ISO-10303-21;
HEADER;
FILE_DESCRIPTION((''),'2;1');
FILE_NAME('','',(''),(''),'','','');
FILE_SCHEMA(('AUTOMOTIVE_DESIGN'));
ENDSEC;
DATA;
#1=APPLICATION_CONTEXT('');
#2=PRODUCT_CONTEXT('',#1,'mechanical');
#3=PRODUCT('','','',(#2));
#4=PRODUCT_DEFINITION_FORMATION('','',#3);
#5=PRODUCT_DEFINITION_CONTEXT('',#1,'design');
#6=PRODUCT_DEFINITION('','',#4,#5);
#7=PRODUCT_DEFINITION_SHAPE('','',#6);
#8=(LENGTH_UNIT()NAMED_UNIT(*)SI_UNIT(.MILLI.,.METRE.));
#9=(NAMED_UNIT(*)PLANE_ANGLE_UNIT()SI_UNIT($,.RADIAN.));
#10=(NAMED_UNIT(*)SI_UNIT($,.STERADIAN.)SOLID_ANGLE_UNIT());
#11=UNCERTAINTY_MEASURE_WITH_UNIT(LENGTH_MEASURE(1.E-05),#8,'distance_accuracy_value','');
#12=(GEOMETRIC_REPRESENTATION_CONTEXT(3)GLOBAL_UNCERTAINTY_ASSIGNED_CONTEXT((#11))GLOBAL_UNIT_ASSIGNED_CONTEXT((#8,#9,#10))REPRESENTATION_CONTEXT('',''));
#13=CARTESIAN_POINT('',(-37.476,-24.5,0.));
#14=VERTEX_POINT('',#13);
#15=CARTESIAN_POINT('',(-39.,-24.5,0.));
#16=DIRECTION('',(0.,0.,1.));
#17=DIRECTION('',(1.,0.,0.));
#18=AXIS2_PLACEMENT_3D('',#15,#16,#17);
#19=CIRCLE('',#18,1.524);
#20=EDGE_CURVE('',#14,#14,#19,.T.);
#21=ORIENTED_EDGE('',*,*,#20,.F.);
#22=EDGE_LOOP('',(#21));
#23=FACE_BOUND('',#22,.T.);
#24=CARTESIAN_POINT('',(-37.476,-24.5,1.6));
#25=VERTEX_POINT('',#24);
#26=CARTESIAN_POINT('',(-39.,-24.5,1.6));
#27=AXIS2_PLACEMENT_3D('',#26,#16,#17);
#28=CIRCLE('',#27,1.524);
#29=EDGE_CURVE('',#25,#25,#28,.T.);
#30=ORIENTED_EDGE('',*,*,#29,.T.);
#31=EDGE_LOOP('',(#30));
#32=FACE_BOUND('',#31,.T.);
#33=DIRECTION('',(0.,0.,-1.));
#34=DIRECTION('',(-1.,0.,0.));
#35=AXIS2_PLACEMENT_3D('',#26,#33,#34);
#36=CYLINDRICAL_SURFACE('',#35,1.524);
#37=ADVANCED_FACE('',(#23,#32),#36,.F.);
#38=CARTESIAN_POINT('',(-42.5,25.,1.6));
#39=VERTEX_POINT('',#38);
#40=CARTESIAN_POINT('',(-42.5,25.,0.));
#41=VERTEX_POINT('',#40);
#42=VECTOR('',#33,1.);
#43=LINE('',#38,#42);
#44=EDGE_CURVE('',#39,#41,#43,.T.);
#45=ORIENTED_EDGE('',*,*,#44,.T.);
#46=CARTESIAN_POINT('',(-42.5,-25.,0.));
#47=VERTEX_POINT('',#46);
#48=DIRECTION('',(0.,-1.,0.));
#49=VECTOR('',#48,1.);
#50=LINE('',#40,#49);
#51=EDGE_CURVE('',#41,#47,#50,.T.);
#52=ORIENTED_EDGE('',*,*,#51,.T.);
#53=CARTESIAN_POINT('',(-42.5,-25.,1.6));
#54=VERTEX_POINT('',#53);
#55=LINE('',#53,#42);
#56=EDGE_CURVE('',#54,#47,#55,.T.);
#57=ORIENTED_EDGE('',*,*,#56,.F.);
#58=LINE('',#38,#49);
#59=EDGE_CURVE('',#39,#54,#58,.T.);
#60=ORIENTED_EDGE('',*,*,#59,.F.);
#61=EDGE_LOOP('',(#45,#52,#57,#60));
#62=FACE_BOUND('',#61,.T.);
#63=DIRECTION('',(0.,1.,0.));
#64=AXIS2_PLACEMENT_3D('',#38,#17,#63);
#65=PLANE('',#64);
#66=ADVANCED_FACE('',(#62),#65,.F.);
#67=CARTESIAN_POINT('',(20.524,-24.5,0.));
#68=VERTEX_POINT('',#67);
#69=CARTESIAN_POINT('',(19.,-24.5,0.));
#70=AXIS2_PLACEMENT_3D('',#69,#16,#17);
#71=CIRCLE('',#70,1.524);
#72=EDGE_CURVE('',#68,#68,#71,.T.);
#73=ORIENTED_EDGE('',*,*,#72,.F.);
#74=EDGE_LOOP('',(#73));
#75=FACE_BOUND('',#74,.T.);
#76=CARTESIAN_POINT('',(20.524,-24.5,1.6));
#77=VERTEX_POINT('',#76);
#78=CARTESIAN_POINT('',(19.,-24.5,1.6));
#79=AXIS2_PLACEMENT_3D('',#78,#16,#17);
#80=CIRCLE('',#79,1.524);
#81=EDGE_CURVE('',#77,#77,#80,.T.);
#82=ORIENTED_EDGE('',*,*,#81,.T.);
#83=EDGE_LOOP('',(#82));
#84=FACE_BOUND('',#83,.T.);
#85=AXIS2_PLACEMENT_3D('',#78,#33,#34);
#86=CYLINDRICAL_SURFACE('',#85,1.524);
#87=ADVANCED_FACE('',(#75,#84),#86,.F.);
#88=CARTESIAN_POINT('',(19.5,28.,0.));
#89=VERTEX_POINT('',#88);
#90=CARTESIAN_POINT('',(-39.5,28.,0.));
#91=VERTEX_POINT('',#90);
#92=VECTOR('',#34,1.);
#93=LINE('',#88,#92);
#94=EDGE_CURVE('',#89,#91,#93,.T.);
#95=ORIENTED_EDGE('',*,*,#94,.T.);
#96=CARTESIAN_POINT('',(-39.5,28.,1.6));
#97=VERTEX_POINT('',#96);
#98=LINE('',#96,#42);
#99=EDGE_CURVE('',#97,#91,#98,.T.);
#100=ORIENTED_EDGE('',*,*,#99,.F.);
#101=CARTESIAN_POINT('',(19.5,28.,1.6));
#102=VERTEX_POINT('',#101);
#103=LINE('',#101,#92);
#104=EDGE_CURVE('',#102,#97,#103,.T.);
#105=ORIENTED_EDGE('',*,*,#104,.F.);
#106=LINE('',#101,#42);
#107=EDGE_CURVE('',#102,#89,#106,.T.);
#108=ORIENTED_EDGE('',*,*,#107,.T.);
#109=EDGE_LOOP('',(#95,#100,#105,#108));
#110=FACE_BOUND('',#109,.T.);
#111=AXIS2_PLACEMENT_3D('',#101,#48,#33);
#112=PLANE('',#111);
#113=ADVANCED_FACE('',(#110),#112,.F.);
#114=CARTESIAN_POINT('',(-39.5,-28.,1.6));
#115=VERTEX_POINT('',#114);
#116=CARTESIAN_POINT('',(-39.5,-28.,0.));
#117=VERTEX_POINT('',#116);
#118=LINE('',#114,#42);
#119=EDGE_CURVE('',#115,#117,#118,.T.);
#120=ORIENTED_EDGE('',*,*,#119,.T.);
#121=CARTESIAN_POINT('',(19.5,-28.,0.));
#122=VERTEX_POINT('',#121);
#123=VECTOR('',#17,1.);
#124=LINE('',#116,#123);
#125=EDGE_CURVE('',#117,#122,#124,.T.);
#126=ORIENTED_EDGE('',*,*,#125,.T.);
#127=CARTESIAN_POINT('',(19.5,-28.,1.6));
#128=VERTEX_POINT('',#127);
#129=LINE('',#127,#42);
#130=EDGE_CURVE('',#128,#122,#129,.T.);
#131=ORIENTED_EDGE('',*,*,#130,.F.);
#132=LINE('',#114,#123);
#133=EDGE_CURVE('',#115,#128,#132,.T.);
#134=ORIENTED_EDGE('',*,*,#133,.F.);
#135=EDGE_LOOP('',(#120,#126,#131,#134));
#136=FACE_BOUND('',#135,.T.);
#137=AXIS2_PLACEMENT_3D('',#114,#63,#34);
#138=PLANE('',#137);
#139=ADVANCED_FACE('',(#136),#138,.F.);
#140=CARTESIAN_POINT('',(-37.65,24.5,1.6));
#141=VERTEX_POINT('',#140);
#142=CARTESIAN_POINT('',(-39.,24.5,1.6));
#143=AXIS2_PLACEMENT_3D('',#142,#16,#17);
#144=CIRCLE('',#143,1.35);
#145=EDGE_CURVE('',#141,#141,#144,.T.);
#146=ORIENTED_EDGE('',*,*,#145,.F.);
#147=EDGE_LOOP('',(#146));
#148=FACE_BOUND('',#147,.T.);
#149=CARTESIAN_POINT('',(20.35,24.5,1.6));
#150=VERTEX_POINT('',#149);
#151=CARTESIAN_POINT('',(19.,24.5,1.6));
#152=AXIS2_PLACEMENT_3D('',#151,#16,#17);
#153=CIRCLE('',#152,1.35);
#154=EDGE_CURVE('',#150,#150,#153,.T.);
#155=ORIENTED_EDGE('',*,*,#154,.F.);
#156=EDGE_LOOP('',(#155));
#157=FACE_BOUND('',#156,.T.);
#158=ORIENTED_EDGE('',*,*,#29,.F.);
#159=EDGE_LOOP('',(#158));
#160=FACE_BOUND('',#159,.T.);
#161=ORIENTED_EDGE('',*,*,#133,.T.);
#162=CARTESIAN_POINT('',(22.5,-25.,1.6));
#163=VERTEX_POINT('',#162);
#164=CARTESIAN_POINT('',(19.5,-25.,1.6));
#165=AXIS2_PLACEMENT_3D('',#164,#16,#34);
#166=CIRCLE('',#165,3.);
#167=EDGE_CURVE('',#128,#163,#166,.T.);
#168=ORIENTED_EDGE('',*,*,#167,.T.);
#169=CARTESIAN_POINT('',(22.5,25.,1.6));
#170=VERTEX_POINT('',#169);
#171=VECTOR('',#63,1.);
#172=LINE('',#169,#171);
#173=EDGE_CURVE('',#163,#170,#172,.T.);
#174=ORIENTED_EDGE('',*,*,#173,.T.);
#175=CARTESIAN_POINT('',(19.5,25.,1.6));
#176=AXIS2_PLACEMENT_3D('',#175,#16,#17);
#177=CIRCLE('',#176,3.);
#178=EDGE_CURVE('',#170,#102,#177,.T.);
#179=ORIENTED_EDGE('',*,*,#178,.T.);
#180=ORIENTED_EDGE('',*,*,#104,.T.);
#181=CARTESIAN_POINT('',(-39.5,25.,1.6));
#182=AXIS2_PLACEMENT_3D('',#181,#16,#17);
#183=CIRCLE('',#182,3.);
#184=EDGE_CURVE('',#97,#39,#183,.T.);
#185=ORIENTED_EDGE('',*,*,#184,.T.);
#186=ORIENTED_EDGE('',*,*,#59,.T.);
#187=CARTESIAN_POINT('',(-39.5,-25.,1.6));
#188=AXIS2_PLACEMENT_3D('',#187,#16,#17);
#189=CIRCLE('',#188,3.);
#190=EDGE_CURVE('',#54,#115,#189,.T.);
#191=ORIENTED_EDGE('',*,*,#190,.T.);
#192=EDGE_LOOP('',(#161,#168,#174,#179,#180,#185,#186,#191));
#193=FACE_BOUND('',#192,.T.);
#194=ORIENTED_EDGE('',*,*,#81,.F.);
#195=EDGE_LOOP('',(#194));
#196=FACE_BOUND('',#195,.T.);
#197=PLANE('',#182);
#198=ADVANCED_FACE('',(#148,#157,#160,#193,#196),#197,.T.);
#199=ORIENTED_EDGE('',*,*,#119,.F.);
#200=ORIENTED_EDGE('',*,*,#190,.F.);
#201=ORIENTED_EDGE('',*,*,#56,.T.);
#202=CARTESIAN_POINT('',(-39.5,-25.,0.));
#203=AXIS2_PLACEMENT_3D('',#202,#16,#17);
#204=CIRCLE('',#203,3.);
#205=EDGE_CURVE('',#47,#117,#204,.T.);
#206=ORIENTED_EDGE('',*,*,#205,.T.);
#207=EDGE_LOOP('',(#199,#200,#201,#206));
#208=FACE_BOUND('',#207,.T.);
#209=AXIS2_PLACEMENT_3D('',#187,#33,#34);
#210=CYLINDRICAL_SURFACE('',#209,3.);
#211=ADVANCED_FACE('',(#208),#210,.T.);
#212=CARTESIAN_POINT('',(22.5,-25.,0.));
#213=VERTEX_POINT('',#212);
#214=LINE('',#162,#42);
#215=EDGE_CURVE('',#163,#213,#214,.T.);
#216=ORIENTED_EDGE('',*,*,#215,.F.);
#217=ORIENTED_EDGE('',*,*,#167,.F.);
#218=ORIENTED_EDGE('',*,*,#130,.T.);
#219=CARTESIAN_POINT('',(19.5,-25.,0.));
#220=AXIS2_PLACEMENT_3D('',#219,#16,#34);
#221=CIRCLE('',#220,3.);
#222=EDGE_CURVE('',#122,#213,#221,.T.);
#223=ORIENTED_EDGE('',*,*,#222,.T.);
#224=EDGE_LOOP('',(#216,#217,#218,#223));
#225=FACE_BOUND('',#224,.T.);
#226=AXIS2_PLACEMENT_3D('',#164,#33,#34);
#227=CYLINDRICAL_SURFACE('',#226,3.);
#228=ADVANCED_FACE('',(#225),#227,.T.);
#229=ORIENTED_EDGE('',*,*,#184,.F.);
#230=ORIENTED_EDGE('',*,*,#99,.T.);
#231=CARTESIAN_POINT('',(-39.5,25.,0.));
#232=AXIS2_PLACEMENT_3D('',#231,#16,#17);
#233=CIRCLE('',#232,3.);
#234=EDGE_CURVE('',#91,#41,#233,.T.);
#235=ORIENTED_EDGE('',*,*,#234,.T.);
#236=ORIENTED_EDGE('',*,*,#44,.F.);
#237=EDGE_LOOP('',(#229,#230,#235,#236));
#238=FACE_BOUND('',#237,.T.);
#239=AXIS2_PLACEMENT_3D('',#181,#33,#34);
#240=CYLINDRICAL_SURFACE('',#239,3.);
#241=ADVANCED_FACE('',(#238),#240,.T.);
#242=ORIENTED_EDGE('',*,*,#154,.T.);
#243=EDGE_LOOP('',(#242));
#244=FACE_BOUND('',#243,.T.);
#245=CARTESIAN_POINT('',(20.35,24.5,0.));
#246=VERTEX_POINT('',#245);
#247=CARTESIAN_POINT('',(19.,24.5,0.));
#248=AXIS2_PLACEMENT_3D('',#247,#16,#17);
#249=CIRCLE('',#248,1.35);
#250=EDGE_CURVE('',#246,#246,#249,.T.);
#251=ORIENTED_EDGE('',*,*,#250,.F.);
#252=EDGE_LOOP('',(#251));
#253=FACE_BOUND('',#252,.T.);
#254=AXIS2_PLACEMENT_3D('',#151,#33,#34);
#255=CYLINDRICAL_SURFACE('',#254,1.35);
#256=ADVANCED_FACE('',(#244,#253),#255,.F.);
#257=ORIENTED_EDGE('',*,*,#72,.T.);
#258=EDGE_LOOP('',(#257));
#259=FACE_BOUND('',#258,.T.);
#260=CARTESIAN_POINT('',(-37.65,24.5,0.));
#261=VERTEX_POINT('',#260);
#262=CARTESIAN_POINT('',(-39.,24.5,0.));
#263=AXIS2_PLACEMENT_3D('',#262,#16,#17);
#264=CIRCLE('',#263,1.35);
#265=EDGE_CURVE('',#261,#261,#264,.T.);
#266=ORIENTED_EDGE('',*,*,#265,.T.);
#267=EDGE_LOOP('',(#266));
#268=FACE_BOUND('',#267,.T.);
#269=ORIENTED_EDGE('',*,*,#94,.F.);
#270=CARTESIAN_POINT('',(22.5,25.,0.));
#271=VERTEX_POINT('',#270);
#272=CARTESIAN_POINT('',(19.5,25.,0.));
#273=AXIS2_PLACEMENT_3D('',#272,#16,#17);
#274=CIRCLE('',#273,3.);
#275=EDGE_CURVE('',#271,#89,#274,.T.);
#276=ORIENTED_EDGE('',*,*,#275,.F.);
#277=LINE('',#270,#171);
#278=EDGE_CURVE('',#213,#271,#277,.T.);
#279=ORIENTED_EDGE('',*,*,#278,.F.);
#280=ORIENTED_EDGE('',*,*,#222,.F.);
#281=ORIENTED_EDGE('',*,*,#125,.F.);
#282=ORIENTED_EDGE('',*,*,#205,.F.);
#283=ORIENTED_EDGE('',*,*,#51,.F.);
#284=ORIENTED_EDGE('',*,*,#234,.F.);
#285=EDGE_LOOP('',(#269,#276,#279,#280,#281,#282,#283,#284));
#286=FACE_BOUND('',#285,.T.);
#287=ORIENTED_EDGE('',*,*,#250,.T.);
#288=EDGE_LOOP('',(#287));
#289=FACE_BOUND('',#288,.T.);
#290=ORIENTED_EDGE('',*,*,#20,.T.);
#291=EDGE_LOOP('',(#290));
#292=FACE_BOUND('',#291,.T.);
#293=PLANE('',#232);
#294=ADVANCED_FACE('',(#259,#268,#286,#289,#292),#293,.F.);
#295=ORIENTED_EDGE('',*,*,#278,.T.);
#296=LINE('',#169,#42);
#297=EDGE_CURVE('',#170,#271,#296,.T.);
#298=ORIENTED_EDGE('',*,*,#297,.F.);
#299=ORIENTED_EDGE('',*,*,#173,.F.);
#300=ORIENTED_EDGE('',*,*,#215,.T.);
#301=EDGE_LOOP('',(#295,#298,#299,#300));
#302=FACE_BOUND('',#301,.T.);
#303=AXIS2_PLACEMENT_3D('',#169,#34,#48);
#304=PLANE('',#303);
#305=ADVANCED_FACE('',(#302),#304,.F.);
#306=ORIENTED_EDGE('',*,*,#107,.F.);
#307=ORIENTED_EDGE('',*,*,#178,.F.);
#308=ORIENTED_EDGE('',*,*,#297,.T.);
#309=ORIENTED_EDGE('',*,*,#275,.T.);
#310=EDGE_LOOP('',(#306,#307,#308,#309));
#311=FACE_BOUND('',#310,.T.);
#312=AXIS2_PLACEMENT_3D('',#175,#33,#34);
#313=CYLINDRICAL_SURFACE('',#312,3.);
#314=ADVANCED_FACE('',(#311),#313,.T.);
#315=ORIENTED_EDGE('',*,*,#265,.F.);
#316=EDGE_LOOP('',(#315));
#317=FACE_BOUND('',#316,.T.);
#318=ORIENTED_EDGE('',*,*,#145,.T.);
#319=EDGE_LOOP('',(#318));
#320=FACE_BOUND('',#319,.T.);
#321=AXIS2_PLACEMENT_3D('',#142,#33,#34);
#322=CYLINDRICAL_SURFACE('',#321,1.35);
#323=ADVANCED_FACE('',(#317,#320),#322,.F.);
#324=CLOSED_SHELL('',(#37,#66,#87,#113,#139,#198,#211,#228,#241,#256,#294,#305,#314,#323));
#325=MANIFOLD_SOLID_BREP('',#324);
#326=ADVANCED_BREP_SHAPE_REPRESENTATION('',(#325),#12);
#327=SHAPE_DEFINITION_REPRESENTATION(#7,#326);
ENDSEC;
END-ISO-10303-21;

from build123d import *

# Parameters (mm, degrees)
SKETCH1_R           = 1.35
SKETCH1_R_2         = 1.524
BOSS_EXTRUDE1_DEPTH = 1.6


with BuildPart() as part:
    # Sketch1 → Boss-Extrude1 (new body)
    with BuildSketch(Plane.XY):
        with BuildLine():
            Line((22.5, 25), (22.5, -25))
            ThreePointArc((22.5, -25), (21.621320344, -27.121320344), (19.5, -28))
            Line((19.5, -28), (-39.5, -28))
            ThreePointArc((-39.5, -28), (-41.621320344, -27.121320344), (-42.5, -25))
            Line((-42.5, -25), (-42.5, 25))
            ThreePointArc((-42.5, 25), (-41.621320344, 27.121320344), (-39.5, 28))
            Line((-39.5, 28), (19.5, 28))
            ThreePointArc((19.5, 28), (21.621320344, 27.121320344), (22.5, 25))
        make_face()
        with Locations((-39, 24.5)):
            Circle(SKETCH1_R, mode=Mode.SUBTRACT)
        with Locations((-39, -24.5)):
            Circle(SKETCH1_R_2, mode=Mode.SUBTRACT)
        with Locations((19, -24.5)):
            Circle(SKETCH1_R_2, mode=Mode.SUBTRACT)
        with Locations((19, 24.5)):
            Circle(SKETCH1_R, mode=Mode.SUBTRACT)
    extrude(amount=BOSS_EXTRUDE1_DEPTH)


solid = part.part
